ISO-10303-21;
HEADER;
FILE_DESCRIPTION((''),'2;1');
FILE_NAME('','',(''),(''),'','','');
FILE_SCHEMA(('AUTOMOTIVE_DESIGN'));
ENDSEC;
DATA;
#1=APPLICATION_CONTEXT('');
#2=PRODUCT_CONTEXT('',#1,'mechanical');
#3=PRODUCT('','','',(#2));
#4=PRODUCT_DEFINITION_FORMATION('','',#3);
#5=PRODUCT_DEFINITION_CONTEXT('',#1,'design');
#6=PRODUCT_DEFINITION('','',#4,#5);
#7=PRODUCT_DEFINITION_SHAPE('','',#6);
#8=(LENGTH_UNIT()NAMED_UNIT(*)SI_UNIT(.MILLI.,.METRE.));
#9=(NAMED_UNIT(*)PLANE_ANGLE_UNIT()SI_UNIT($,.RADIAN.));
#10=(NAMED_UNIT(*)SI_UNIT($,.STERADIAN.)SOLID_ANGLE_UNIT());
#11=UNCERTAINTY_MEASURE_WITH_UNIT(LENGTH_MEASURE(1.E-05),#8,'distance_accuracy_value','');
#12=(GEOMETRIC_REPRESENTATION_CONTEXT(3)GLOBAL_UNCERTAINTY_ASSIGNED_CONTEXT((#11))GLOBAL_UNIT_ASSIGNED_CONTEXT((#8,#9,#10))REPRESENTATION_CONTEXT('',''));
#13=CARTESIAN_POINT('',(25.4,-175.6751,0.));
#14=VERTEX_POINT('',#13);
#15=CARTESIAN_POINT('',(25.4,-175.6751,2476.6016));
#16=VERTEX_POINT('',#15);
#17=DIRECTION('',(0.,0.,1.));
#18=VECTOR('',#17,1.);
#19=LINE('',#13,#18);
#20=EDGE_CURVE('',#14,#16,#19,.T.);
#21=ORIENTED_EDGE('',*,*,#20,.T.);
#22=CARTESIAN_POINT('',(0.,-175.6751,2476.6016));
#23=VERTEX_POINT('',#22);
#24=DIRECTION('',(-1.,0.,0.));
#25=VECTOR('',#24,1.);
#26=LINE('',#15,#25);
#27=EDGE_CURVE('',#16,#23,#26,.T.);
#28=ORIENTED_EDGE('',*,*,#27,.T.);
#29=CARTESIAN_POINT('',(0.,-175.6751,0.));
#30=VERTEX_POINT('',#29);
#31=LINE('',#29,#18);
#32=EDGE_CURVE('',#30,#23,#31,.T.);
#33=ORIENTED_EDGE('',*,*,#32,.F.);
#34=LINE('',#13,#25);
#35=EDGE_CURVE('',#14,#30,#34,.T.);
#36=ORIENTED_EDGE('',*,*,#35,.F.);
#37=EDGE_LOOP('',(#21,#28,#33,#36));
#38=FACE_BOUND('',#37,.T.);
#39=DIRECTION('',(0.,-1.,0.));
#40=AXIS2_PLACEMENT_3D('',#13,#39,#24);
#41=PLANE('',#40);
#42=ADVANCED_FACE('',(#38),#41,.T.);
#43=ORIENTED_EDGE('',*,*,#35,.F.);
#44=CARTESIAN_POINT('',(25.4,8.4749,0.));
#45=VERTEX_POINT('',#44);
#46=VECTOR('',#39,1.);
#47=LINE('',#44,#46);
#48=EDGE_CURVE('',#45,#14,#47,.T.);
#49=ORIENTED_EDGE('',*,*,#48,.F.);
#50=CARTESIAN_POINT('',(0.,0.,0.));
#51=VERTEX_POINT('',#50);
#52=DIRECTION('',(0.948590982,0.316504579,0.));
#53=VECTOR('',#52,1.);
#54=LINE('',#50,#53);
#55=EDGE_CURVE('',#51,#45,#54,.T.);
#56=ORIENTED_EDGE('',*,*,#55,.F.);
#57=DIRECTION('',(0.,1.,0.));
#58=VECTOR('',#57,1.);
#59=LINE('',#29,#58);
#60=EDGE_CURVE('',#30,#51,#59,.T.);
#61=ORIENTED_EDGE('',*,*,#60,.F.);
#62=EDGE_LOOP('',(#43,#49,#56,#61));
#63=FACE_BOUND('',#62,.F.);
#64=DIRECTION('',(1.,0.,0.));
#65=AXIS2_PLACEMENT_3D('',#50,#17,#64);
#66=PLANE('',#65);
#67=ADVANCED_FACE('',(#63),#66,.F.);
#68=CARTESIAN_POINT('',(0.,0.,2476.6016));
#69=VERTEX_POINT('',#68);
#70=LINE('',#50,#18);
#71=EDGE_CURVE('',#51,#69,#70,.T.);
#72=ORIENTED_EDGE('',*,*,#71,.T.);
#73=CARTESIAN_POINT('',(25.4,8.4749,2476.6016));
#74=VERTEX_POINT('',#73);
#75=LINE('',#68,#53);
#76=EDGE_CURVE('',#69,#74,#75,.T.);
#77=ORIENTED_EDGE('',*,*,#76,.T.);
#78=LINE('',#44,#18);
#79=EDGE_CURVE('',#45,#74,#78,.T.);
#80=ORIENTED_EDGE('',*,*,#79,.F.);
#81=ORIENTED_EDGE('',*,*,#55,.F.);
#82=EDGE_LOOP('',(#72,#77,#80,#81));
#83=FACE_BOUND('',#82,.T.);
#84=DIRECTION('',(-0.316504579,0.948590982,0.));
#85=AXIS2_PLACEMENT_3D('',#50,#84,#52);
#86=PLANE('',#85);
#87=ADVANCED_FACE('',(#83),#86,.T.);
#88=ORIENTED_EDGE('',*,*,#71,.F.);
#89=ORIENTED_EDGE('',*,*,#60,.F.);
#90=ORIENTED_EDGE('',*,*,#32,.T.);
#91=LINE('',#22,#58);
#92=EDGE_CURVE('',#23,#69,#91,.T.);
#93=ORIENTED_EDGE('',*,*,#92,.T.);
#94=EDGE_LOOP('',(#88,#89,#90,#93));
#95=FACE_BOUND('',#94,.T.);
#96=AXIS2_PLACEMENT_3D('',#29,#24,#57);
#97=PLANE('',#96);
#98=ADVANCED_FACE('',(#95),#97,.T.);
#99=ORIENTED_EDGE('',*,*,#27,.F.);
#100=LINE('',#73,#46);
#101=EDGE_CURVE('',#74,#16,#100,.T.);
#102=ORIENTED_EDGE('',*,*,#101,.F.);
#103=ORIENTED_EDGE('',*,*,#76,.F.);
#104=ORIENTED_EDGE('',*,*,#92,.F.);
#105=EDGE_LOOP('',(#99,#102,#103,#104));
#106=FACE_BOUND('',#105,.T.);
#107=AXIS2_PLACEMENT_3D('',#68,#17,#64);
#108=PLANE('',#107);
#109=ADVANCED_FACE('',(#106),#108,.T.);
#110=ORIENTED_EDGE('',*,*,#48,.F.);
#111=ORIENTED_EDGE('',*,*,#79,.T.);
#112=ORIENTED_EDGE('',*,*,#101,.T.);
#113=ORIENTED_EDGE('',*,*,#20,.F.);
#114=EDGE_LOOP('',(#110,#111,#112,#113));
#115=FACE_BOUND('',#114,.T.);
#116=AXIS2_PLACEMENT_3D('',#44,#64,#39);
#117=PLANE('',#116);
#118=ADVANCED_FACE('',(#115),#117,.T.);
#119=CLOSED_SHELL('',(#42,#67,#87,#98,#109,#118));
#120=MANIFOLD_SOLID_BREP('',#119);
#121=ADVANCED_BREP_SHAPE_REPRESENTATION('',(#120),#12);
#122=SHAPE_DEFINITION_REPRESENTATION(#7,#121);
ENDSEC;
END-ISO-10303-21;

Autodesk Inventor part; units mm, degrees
ref_plane "YZ Plane" through (0, 0, 0) normal (1, 0, 0) x (0, 1, 0)
ref_plane "XZ Plane" through (0, 0, 0) normal (0, 1, 0) x (-1, 0, 0)
ref_plane "XY Plane" through (0, 0, 0) normal (0, 0, 1) x (1, 0, 0)
sketch "Sketch1" plane through (0, 0, 0) normal (0, 0, 1) x (1, 0, 0)
  line L0 (0, 0) -> (3263.9, 1089.025)
  line L1 (0, 0) -> (-88.9, 0)
  line L2 (25.4, 8.4749) -> (25.4, -175.6751)
  line L3 (25.4, -175.6751) -> (0, -175.6751)
  line L4 (0, -175.6751) -> (0, 0)
  dimension "d33" = 1089.025
  dimension "d36" = 3352.8
  dimension "d37" = 88.9
  dimension "d42" = 25.4
  dimension "d43" = 184.15
extrude "Extrusion3" add sketch "Sketch1" along normal blind 2476.6016
properties part number "Fascia_For_Front"
